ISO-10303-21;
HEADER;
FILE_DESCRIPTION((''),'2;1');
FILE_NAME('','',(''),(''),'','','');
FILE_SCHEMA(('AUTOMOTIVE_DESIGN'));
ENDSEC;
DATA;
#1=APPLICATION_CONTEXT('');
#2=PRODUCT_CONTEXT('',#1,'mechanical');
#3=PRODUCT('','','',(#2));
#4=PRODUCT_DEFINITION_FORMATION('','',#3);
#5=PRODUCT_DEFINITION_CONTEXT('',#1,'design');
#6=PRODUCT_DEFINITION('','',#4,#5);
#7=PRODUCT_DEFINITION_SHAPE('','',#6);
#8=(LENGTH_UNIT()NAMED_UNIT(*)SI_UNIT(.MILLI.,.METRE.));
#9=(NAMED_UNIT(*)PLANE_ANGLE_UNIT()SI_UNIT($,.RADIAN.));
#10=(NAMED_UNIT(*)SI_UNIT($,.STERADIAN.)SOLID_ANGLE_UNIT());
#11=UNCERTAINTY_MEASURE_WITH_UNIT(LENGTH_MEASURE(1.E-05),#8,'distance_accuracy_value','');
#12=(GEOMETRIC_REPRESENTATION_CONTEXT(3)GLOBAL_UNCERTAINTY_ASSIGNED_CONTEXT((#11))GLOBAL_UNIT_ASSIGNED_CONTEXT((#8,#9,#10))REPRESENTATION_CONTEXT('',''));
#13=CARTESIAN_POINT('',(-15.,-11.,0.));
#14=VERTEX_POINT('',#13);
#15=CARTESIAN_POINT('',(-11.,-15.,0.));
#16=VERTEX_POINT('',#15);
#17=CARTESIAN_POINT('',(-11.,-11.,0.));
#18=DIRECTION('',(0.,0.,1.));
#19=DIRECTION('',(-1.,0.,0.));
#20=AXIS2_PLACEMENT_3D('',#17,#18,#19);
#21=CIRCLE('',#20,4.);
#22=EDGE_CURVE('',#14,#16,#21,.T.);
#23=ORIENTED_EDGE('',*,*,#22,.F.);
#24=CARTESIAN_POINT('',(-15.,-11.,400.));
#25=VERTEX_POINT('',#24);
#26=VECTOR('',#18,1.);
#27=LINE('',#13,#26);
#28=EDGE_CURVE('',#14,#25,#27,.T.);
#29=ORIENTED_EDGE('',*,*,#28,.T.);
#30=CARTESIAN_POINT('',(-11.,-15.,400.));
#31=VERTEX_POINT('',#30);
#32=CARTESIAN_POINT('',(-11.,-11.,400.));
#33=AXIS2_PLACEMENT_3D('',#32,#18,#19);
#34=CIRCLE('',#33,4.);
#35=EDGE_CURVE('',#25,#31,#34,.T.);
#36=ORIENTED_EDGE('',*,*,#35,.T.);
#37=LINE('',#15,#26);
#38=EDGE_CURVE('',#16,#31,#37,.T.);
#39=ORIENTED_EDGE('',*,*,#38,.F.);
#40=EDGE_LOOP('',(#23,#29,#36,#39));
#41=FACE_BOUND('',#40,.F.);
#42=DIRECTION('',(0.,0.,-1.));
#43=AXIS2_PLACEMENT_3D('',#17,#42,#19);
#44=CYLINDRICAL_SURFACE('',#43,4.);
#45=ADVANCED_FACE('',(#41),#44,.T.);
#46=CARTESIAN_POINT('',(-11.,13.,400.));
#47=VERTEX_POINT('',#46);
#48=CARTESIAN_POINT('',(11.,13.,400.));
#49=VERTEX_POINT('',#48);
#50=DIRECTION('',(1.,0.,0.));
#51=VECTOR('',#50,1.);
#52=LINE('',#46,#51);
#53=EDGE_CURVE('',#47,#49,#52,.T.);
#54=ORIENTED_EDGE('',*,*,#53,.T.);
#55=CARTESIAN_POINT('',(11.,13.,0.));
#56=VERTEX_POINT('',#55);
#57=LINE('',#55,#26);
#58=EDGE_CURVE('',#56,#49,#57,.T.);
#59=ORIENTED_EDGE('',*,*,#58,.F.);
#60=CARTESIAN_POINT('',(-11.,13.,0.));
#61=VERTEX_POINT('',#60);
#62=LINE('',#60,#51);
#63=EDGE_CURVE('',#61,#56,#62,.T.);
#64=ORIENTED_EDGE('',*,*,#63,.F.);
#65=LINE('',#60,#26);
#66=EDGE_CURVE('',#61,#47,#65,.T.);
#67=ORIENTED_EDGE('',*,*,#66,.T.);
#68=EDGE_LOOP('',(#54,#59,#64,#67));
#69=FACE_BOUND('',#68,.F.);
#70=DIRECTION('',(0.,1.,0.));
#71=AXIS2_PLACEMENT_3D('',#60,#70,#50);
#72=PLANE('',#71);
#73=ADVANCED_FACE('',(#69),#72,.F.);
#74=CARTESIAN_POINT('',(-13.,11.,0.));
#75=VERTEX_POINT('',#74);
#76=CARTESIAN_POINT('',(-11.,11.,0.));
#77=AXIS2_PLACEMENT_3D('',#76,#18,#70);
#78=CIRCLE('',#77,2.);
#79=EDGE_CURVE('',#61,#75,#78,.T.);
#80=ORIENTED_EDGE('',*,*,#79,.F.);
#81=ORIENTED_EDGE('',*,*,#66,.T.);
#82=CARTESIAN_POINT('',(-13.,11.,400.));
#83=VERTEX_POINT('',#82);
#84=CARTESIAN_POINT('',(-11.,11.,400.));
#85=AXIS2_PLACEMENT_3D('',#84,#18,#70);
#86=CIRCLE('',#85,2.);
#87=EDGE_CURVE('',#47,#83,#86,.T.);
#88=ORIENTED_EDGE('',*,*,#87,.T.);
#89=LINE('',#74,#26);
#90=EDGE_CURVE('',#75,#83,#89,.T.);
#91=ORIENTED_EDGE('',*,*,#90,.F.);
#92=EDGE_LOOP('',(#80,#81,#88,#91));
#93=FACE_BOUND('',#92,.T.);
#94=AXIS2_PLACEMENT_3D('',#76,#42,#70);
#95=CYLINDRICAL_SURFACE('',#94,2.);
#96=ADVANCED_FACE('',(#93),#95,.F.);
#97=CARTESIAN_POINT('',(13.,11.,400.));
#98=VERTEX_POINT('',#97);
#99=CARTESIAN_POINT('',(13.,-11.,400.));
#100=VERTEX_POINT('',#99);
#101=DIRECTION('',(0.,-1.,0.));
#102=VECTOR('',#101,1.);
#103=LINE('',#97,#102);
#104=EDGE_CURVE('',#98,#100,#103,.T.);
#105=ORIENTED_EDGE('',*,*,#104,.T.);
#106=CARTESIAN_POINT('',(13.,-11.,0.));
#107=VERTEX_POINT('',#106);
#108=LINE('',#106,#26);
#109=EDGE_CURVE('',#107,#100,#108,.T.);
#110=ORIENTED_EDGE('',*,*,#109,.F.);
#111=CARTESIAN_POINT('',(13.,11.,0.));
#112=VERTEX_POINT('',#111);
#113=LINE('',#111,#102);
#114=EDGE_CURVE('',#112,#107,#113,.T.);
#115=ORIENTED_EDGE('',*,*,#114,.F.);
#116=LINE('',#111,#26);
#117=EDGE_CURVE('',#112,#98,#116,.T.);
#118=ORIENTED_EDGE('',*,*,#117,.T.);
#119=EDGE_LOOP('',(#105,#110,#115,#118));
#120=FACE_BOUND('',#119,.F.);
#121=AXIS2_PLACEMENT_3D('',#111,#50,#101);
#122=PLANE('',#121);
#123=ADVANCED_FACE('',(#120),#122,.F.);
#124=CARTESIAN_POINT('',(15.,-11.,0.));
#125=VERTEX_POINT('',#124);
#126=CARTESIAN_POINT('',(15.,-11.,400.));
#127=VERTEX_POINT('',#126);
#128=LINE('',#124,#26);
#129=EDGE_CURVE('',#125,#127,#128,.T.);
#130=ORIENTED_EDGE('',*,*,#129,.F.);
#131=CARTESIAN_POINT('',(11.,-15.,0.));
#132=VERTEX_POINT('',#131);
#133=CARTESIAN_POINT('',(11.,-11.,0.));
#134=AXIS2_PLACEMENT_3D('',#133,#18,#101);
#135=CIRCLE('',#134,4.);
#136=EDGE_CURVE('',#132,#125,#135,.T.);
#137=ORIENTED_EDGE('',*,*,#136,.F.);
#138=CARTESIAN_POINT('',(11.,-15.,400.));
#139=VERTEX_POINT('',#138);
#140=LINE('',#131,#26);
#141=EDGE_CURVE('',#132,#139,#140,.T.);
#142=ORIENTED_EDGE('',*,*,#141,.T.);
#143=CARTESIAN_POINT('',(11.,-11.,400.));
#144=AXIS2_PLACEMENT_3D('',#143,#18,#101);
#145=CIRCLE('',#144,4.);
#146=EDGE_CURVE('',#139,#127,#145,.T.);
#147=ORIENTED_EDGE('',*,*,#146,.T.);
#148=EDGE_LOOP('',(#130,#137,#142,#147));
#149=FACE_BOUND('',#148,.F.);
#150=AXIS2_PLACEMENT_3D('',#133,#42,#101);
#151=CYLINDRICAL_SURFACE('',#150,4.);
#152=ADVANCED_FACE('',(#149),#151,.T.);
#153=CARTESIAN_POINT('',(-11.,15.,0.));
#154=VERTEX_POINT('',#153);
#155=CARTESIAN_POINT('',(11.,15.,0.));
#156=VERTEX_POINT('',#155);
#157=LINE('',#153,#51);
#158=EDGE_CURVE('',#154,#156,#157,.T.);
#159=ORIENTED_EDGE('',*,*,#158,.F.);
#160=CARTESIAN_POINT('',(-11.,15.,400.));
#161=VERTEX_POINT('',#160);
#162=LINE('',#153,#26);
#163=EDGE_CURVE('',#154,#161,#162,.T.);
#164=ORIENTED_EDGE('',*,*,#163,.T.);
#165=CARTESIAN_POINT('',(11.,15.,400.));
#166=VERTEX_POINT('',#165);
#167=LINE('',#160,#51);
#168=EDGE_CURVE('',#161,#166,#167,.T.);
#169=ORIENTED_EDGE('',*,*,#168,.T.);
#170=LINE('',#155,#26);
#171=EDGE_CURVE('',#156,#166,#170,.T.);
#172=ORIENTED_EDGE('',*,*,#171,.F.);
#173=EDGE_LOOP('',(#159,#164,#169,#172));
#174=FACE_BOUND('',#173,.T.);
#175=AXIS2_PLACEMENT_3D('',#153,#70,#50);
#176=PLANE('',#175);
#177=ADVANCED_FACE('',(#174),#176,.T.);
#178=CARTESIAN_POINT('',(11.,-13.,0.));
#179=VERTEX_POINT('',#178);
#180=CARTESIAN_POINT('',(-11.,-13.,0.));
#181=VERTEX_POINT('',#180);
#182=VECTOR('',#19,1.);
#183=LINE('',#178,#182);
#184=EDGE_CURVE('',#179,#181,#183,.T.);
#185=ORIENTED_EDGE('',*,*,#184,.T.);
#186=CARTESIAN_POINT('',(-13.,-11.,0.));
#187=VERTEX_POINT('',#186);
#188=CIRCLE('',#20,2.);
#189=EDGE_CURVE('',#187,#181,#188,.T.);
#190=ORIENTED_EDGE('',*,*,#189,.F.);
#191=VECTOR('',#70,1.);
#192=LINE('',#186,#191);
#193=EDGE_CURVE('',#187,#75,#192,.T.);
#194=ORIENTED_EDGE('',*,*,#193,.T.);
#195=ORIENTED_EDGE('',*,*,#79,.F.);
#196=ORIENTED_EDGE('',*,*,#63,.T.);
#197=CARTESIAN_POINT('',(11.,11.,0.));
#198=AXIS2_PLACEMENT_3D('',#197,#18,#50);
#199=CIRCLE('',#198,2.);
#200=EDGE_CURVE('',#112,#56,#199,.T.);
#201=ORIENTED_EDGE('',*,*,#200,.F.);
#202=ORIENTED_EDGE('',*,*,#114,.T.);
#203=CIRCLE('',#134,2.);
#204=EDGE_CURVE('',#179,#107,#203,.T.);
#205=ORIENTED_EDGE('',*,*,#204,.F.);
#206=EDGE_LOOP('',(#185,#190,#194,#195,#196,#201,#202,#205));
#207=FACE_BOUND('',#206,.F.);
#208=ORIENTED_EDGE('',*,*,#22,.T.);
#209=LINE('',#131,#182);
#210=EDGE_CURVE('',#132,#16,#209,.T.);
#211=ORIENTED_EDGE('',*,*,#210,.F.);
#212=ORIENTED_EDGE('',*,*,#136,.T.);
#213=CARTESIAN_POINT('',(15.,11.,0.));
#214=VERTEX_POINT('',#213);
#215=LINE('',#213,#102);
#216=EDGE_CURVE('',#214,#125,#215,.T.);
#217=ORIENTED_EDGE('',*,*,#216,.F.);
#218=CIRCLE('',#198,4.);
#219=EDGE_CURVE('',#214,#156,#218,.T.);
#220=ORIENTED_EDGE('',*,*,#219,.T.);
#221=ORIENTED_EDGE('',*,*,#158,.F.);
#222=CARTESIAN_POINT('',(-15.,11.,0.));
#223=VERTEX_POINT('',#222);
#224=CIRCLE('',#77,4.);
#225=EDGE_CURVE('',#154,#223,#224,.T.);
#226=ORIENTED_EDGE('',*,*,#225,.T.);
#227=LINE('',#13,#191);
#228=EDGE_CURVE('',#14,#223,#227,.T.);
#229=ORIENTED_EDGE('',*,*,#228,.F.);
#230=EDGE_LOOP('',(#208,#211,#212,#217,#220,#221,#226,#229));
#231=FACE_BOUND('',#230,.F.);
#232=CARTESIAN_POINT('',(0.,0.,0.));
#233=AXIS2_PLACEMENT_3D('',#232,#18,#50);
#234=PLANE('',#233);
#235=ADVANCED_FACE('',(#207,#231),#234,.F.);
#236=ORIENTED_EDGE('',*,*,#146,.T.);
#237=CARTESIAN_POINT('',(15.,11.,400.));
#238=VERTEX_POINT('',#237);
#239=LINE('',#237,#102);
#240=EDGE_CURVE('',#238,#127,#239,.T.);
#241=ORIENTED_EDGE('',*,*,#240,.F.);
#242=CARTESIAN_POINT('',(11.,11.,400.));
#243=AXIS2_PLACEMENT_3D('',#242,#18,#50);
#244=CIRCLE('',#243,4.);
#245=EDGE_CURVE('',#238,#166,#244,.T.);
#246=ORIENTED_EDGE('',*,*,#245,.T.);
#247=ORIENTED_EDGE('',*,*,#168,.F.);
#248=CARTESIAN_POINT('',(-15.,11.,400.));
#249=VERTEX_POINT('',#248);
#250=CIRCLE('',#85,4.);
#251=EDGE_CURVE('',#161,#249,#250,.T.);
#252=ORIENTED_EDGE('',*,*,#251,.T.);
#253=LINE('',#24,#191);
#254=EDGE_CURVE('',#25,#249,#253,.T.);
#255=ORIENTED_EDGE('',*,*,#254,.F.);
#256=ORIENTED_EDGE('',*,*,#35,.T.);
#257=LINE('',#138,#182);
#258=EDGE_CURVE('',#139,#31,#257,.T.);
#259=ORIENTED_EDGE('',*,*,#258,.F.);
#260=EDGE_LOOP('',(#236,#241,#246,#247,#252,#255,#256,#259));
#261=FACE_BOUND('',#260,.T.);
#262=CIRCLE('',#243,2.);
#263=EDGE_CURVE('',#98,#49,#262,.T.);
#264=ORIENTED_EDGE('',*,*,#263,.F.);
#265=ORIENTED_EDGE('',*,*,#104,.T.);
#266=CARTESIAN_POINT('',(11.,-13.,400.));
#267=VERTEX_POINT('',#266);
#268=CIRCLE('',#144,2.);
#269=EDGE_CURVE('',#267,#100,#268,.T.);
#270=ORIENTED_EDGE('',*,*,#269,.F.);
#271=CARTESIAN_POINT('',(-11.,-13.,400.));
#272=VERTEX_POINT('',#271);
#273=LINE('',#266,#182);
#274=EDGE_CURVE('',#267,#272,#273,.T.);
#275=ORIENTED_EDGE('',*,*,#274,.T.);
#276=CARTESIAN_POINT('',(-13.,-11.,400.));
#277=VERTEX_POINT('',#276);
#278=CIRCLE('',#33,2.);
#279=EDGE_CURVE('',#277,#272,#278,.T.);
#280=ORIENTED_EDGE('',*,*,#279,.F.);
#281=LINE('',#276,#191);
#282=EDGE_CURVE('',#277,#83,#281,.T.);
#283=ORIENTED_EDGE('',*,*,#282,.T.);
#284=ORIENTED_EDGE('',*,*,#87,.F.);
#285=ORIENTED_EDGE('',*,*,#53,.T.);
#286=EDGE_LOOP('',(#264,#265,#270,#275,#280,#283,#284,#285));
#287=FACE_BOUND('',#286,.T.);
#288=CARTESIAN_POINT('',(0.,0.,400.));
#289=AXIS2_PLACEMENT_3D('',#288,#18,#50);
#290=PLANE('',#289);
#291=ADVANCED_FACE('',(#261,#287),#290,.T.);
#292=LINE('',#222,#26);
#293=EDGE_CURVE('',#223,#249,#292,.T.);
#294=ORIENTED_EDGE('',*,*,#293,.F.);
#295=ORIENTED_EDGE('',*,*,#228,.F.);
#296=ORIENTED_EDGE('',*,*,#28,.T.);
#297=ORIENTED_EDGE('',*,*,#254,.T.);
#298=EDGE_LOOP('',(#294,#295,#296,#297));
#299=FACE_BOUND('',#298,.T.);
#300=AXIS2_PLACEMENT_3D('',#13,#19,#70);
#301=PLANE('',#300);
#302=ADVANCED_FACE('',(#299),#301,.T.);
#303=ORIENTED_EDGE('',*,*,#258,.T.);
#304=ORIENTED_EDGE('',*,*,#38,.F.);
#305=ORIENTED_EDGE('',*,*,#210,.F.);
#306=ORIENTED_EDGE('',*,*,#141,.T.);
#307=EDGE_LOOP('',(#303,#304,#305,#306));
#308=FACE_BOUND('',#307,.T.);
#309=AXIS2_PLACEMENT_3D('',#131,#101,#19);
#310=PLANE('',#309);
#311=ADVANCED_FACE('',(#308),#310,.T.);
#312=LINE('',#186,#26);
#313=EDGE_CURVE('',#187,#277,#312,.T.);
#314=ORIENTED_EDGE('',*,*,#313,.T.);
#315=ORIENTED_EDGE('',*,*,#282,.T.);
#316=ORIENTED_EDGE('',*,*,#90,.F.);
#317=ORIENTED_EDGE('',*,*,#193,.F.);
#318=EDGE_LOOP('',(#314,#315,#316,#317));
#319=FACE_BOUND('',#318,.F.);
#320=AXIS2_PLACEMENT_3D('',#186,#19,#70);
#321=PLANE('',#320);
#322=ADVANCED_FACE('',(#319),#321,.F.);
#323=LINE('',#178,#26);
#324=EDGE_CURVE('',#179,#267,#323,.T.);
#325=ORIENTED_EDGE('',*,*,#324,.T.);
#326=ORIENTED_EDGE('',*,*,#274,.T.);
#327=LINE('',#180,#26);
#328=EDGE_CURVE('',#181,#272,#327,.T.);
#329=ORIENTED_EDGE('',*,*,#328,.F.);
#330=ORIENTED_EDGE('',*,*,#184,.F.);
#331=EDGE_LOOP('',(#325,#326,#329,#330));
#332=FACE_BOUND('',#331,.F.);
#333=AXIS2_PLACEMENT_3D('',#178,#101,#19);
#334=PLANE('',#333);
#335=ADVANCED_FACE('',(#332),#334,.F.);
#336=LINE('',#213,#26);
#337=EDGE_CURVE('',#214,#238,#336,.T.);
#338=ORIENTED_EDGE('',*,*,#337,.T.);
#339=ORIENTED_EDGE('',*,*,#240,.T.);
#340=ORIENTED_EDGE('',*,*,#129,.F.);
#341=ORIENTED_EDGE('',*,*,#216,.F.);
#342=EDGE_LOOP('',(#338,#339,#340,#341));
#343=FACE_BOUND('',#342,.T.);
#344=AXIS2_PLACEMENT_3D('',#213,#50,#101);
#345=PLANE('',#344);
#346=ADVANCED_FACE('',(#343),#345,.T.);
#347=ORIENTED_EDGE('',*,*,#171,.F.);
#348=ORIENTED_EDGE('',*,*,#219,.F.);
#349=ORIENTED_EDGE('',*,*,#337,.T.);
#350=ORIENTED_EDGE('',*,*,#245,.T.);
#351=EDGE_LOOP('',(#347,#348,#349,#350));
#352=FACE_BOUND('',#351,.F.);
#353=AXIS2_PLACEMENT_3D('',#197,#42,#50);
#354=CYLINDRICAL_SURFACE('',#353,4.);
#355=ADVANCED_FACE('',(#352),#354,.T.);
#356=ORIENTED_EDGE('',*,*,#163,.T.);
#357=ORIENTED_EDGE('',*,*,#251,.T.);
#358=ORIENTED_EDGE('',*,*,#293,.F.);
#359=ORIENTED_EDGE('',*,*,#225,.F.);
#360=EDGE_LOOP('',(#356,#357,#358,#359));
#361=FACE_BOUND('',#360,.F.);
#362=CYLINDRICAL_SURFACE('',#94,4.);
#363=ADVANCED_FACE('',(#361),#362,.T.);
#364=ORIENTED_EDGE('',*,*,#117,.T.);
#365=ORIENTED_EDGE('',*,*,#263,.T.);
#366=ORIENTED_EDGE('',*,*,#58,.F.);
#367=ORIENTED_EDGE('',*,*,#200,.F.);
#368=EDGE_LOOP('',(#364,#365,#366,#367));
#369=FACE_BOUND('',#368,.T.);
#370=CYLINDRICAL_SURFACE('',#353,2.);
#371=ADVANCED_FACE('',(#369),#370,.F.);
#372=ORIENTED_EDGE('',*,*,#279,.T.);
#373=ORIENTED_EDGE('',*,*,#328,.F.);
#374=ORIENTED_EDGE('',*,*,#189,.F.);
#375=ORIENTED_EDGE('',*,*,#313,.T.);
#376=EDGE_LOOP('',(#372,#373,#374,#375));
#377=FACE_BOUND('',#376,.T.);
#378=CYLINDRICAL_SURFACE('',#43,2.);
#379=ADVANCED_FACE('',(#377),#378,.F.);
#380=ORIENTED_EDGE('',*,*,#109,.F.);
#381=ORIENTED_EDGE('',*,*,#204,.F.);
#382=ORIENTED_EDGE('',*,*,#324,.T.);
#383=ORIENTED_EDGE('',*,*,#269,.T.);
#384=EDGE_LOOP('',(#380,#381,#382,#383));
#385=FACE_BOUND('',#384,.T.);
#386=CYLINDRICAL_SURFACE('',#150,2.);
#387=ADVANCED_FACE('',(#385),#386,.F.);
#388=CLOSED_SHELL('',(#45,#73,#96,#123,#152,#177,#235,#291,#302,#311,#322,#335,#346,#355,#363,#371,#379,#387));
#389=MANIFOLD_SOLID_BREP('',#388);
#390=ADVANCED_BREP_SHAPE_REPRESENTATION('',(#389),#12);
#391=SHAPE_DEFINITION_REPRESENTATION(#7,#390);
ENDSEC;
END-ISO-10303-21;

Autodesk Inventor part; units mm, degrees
ref_plane "YZ Plane" through (0, 0, 0) normal (1, 0, 0) x (0, 1, 0)
ref_plane "Plan de départ" through (0, 0, 0) normal (0, 0, 1) x (1, 0, 0)
ref_plane "Plan de fin" through (0, 0, 400) normal (0, 0, 1) x (1, 0, 0)
sketch "Esquisse" plane through (0, 0, 0) normal (0, 0, 1) x (1, 0, 0)
  line L0 (-15, -11) -> (-15, 11)
  line L1 (-11, 15) -> (11, 15)
  line L2 (15, 11) -> (15, -11)
  line L3 (11, -15) -> (-11, -15)
  arc A0 (-15, -11) -> (-11, -15) centre (-11, -11) ccw
  arc A1 (15, 11) -> (11, 15) centre (11, 11) ccw
  arc A2 (-11, 15) -> (-15, 11) centre (-11, 11) ccw
  arc A3 (11, -15) -> (15, -11) centre (11, -11) ccw
  arc A4 (-11, 13) -> (-13, 11) centre (-11, 11) ccw
  line L4 (-11, 13) -> (11, 13)
  arc A5 (13, 11) -> (11, 13) centre (11, 11) ccw
  line L5 (13, 11) -> (13, -11)
  arc A6 (11, -13) -> (13, -11) centre (11, -11) ccw
  line L6 (11, -13) -> (-11, -13)
  arc A7 (-13, -11) -> (-11, -13) centre (-11, -11) ccw
  line L7 (-13, -11) -> (-13, 11)
  line L8 (0, 22.1598) -> (0, -22.1598) construction
  line L9 (-22.1598, 0) -> (22.1598, 0) construction
  dimension "d7" = 4
  dimension "d9" = 30
  dimension "d11" = 30
  dimension "d12" = 2
  dimension "d15" = 15
  dimension "d16" = 15
extrude "Corps" add sketch "Esquisse" along normal up to surface (400 mm away) from surface at 0
sketch "Sketch3" plane through (0, 0, 0) normal (0, 0, 1) x (1, 0, 0)
  line L0 (0, 0) -> (10, 0)
ref_plane "Work Plane3" through (0, 0, 0) normal (0, -1, 0) x (1, 0, 0)
sketch "Sketch4" plane through (0, 0, 0) normal (0, -1, 0) x (1, 0, 0)
  line L0 (-2, 0) -> (12, 0) projected
  line L1 (-2, 400) -> (12, 400) projected
  dimension "d18" = 400
equation "\"d7\" = G_IR"
equation "\"d9\" = G_W"
equation "\"d11\" = G_H"
equation "\"d12\" = G_T"
equation "\"d15\" = 0.5 * d9"
equation "\"d16\" = 0.5 * d11"
equation "\"d3\" = G_L"
equation "\"G_W\" = 30"
equation "\"G_H\" = 30"
equation "\"G_T\" = 2"
equation "\"G_IR\" = 4"
equation "\"G_L\" = d18"
equation "\"G_OFFSET_START\" = 0"
equation "\"G_OFFSET_END\" = 0"
properties part number "ISO 10799-2 - 30x30x2 - 400" material "Acier, doux"
